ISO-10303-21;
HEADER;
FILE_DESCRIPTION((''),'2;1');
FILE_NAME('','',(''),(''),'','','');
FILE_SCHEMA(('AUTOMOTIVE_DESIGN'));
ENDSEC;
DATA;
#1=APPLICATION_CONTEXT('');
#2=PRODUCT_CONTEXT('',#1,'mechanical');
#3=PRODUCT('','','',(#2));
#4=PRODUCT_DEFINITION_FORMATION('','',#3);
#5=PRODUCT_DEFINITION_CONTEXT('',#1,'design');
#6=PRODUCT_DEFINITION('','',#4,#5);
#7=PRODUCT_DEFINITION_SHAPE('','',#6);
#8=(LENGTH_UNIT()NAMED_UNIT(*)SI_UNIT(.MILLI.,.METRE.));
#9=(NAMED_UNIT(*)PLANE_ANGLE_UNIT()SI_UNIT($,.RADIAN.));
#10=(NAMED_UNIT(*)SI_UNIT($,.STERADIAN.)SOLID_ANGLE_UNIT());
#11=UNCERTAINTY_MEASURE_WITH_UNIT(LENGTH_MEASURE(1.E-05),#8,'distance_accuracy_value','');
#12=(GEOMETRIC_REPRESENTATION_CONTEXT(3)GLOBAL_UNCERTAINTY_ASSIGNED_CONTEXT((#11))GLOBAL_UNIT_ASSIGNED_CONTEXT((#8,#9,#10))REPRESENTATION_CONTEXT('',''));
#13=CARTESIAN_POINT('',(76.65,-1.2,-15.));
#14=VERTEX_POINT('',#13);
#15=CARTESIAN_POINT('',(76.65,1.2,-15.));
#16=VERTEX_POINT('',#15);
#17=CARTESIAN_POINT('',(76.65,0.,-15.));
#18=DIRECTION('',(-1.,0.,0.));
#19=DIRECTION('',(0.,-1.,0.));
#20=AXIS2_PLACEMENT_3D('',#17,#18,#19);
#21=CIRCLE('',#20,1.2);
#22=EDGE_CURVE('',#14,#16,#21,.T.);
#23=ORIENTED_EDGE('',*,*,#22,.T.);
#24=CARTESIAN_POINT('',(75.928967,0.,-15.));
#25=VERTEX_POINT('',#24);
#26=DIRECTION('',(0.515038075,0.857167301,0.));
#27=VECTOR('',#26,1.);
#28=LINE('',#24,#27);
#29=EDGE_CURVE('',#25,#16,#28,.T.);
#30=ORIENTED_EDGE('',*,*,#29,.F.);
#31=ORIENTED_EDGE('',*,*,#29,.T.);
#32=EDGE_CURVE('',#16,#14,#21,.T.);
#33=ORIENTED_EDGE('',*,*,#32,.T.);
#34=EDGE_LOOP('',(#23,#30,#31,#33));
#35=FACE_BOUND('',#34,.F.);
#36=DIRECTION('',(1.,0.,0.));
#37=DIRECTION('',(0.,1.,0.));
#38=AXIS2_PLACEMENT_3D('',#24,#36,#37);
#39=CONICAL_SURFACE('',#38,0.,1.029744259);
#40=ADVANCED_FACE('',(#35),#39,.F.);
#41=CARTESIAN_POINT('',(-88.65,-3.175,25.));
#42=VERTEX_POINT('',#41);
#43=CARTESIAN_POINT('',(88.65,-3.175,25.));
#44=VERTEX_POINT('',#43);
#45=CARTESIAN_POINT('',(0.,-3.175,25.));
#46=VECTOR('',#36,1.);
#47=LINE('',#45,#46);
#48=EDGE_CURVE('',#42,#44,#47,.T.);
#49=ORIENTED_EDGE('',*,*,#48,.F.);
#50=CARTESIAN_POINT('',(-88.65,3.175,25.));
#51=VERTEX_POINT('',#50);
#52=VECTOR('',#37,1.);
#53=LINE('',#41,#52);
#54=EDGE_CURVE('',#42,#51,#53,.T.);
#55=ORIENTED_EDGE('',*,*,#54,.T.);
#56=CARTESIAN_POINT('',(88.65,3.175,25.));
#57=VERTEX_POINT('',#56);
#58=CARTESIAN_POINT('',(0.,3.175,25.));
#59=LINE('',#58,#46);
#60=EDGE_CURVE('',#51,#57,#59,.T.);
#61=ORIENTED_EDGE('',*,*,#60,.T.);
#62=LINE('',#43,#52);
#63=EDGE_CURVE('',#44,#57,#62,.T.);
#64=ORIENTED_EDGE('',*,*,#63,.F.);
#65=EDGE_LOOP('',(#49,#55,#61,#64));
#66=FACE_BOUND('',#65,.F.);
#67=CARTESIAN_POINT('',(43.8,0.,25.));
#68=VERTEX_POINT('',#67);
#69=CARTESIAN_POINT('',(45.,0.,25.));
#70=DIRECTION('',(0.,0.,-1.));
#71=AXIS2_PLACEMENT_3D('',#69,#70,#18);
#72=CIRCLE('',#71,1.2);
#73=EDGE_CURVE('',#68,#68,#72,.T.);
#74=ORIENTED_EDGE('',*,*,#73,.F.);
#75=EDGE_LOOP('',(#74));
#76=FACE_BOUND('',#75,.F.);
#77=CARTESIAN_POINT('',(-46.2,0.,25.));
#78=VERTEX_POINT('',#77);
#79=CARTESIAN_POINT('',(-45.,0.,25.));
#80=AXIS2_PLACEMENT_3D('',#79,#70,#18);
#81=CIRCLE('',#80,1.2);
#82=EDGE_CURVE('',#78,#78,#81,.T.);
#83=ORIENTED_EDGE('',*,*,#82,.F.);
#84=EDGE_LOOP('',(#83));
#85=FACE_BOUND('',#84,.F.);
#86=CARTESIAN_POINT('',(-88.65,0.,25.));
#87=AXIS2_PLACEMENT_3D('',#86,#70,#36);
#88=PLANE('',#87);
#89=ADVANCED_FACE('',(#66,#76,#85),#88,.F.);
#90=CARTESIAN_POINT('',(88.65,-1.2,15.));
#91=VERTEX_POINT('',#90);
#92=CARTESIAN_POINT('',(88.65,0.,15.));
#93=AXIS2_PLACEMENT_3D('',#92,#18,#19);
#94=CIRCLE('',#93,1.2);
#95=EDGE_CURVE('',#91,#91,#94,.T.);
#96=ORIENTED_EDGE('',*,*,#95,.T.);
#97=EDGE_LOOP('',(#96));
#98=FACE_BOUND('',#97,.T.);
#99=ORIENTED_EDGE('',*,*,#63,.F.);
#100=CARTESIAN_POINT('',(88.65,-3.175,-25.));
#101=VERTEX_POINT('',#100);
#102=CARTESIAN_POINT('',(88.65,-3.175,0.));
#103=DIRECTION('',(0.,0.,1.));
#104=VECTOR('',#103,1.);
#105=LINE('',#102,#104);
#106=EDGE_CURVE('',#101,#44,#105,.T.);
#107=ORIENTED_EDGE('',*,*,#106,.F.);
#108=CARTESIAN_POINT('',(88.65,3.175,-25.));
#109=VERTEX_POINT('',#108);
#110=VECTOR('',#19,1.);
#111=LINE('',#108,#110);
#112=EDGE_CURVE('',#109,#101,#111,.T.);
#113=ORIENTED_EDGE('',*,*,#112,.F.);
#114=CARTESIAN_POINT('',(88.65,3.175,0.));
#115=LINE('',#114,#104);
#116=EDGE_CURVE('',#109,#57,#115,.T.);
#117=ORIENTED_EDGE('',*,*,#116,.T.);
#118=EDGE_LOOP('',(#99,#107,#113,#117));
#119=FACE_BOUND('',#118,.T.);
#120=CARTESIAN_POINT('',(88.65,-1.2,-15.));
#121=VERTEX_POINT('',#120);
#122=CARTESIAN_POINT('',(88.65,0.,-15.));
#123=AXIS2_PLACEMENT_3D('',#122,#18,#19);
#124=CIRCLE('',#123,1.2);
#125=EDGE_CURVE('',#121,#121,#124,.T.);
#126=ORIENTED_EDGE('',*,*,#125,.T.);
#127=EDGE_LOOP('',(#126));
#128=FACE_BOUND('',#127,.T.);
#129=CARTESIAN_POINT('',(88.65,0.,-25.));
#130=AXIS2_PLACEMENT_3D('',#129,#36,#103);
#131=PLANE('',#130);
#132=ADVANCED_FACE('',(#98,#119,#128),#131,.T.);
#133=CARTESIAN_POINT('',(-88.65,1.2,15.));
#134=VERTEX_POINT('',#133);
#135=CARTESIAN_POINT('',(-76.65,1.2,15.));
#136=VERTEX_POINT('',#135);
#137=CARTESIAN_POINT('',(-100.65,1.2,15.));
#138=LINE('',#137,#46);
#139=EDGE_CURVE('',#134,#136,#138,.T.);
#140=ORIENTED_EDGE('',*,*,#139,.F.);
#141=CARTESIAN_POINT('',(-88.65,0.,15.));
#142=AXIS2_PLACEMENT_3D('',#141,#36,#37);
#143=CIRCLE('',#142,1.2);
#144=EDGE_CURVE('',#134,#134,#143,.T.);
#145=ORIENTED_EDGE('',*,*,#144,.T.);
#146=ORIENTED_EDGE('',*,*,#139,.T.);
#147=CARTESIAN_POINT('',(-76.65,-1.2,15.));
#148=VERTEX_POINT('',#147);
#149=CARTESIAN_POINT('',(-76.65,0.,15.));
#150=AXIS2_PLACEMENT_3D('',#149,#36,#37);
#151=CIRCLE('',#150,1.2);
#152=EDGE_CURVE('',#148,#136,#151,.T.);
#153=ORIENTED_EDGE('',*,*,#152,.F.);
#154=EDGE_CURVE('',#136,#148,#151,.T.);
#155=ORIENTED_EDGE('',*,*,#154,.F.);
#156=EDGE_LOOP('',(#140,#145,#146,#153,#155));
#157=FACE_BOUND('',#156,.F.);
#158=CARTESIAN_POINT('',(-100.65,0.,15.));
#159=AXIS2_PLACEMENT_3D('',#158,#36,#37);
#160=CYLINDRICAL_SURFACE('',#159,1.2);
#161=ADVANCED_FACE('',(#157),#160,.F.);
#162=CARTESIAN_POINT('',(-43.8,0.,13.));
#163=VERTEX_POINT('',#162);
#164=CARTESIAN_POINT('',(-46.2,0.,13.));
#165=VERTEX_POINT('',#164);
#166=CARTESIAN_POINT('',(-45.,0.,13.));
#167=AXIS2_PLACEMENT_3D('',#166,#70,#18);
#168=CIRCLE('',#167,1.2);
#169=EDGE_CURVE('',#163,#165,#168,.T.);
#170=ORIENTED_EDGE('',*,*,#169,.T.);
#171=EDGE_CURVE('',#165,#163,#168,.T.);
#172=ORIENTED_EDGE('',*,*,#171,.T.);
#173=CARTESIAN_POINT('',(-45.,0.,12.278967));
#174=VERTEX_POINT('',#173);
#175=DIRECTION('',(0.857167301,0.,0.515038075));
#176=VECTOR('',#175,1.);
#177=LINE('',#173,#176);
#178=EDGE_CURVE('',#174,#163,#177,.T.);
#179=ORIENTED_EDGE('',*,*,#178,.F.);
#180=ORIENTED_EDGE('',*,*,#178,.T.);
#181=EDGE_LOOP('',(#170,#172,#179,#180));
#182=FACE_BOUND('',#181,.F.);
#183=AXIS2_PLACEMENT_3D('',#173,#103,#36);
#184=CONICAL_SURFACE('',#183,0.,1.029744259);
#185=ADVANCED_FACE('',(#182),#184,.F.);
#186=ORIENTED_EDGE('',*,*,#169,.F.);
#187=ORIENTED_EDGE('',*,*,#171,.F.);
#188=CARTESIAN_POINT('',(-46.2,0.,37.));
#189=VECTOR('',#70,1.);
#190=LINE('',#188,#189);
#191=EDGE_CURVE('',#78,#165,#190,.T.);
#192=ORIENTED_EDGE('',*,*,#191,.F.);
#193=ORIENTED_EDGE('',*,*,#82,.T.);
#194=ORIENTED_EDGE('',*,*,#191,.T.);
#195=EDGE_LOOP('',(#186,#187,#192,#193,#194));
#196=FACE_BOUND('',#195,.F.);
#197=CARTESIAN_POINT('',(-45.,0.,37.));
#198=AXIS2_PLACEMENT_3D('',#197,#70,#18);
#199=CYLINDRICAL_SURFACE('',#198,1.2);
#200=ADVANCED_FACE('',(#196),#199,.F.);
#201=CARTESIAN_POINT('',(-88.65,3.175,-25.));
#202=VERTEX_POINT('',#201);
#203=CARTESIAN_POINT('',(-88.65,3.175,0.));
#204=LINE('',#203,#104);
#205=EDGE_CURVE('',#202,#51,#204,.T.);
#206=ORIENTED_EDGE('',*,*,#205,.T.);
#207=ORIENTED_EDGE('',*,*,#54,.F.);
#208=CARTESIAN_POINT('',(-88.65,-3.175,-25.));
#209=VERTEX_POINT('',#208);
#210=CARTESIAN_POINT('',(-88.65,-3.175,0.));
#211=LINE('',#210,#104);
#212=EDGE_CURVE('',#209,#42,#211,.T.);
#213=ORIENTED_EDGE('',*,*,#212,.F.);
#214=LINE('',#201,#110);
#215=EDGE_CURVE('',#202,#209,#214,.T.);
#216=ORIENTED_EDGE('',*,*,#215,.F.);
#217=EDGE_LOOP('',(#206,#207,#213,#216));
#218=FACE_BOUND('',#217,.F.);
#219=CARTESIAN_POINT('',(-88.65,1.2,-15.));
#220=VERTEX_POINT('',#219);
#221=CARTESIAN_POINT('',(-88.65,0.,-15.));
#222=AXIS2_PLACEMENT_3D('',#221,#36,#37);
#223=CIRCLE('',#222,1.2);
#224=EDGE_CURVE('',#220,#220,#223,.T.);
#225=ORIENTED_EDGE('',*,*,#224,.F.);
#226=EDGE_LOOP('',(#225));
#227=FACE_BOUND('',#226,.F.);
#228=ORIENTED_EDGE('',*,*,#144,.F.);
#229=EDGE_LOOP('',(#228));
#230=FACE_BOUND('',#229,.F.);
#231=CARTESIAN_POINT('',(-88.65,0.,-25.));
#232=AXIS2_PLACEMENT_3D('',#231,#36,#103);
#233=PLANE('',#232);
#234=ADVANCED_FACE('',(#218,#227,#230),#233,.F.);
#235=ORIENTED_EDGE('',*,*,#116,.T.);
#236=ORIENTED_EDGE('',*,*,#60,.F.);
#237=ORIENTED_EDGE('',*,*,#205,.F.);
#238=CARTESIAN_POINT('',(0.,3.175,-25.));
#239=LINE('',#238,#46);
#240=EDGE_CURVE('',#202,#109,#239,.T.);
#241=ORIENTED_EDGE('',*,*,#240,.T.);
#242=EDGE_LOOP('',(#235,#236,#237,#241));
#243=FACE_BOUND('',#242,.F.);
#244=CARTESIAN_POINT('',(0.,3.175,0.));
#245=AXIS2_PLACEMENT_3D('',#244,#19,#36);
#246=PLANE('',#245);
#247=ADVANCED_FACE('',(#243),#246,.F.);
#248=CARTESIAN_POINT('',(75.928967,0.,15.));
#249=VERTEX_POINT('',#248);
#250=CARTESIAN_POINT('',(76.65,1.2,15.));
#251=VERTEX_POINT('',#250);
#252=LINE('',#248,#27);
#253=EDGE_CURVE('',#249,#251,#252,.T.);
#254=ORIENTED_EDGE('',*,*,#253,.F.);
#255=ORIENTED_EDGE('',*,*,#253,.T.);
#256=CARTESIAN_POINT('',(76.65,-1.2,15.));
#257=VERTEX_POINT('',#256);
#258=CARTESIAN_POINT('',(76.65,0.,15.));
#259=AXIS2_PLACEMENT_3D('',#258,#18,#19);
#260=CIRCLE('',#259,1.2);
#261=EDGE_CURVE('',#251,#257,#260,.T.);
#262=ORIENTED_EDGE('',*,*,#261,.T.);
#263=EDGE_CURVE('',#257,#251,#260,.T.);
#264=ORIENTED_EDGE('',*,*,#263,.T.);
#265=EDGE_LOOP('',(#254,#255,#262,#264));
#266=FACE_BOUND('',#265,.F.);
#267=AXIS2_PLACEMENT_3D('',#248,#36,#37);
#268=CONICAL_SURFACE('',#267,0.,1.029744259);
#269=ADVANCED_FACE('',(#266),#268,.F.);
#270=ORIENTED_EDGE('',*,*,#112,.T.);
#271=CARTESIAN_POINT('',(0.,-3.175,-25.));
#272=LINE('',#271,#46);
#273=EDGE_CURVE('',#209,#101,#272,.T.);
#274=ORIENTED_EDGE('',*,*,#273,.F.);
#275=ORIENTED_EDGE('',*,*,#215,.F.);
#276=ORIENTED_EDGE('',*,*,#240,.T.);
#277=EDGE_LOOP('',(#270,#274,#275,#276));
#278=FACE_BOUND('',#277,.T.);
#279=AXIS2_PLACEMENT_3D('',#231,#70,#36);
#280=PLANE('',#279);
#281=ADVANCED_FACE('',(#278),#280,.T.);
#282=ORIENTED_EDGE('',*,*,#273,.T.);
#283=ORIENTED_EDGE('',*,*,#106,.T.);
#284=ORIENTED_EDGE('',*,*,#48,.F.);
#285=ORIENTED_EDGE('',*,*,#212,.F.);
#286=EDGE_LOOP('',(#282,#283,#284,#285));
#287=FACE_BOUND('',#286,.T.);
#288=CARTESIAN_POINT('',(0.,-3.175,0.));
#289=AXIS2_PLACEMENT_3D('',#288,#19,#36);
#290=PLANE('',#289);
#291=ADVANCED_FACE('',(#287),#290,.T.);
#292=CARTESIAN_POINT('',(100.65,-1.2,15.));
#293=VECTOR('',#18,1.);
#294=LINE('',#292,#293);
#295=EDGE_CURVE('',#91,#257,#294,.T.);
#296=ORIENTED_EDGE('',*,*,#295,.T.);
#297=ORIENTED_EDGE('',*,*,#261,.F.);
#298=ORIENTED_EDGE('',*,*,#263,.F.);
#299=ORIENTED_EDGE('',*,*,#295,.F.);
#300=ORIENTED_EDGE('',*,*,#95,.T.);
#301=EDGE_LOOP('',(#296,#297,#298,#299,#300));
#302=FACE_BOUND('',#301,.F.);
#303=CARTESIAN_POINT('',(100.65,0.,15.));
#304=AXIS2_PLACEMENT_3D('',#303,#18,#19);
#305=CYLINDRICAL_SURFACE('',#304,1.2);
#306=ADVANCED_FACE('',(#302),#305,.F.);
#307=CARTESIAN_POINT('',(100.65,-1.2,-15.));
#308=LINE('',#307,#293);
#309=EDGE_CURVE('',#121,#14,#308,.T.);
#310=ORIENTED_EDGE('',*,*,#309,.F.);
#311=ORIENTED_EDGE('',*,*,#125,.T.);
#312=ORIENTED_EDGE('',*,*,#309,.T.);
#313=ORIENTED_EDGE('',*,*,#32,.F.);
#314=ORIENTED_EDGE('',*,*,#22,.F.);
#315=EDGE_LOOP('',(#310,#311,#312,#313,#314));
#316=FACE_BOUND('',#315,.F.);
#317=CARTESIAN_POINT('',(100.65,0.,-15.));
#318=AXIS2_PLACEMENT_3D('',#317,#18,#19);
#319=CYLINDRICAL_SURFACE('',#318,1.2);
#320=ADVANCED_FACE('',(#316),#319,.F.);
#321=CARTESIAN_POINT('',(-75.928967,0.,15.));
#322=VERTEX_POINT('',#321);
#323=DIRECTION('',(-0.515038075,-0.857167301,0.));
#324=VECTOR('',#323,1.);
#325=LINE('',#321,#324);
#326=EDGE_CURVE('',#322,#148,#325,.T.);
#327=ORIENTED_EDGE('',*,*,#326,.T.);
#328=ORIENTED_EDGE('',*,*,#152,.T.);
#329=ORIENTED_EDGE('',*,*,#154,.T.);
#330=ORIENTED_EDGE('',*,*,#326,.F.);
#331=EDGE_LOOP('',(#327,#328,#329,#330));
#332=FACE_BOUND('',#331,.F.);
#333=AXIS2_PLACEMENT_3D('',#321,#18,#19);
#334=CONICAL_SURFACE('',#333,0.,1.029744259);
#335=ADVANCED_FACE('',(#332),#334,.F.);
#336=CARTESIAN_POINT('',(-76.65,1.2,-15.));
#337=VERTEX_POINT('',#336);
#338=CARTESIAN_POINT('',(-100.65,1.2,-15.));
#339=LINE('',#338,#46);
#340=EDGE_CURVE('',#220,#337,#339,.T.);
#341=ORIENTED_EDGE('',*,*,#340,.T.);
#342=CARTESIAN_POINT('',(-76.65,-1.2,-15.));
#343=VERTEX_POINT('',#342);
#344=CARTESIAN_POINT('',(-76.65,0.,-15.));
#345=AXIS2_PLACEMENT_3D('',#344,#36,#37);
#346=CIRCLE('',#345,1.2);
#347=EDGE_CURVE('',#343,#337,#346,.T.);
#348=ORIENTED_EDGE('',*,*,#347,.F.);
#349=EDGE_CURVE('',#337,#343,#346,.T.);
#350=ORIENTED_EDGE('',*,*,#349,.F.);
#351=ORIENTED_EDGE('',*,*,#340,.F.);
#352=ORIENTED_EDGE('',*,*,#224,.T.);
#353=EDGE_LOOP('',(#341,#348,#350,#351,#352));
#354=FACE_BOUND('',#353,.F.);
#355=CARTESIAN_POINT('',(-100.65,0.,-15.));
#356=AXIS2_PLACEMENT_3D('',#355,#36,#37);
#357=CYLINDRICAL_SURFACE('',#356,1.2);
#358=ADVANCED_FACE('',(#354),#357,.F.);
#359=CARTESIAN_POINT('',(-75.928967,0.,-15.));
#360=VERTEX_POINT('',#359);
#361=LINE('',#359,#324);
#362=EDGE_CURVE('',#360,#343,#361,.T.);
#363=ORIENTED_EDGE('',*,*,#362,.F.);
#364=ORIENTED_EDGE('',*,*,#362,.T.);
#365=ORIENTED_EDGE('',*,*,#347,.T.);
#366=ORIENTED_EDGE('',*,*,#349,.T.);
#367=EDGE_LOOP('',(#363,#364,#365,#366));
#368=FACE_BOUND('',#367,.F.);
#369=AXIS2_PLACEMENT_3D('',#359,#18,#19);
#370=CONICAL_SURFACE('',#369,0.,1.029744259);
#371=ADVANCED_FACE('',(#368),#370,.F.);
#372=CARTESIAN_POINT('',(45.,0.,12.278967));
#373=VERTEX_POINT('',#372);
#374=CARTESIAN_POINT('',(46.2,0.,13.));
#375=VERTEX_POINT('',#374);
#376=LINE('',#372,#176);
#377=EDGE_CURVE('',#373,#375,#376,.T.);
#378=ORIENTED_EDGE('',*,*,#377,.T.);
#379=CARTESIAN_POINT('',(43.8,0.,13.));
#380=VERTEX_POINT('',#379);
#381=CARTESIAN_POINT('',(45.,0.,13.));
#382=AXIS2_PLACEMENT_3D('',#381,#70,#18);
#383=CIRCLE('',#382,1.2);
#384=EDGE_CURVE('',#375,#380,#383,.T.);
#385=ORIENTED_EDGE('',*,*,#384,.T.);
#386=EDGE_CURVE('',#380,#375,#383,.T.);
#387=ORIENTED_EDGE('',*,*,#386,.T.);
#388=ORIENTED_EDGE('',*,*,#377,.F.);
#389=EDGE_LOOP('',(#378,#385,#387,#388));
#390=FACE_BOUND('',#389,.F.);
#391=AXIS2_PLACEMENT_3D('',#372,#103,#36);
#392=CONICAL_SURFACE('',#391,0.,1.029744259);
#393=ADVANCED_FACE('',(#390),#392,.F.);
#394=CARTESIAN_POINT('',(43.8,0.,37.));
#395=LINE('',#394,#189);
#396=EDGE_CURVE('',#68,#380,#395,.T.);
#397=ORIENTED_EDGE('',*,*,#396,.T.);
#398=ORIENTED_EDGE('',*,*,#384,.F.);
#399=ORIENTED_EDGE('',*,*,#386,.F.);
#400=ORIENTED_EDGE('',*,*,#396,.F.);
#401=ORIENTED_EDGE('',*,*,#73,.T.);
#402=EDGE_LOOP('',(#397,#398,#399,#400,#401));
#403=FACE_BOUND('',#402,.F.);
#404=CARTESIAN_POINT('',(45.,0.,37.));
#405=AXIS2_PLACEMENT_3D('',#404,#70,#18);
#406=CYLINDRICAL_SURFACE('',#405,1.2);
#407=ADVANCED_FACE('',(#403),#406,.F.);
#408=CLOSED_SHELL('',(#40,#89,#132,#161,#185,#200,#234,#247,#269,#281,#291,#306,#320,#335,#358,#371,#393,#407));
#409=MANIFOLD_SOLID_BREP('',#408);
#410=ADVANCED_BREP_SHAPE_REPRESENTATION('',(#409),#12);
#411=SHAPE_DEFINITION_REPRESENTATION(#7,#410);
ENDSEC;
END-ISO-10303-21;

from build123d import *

# Parameters (mm, degrees)
F0_W           = 177.3
F0_H           = 50
F1_DEPTH       = 3.175
F3_D           = 2.4
F3_DEPTH       = 12
F3_TIP         = 0.7210327428
F6_D           = 2.4
F6_DEPTH       = 12
F6_TIP         = 0.7210327428
F6_ON_F4_D     = 2.4
F6_ON_F4_DEPTH = 12
F6_ON_F4_TIP   = 0.7210327428


with BuildPart() as f1:
    # F0 (on Front) → F1 (new body, symmetric)
    with BuildSketch(Plane.XZ):
        Rectangle(F0_W, F0_H)
    extrude(amount=F1_DEPTH, both=True)

    # F3
    with Locations(Plane.XY.offset(25)):
        with Locations((-45, 0), (45, 0)):
            Hole(F3_D / 2, depth=F3_DEPTH)
            with Locations((0, 0, -(F3_DEPTH + F3_TIP / 2))):  # 118° drill point
                Cone(0, F3_D / 2, F3_TIP, mode=Mode.SUBTRACT)

    # F6
    with Locations(Plane(origin=(-88.65, 0, 0), x_dir=(0, -1, 0), z_dir=(-1, 0, 0))):
        with Locations((0, 15), (0, -15)):
            Hole(F6_D / 2, depth=F6_DEPTH)
            with Locations((0, 0, -(F6_DEPTH + F6_TIP / 2))):  # 118° drill point
                Cone(0, F6_D / 2, F6_TIP, mode=Mode.SUBTRACT)

    # F6 on F4
    with Locations(Plane.YZ.offset(88.65)):
        with Locations((0, 15), (0, -15)):
            Hole(F6_ON_F4_D / 2, depth=F6_ON_F4_DEPTH)
            with Locations((0, 0, -(F6_ON_F4_DEPTH + F6_ON_F4_TIP / 2))):  # 118° drill point
                Cone(0, F6_ON_F4_D / 2, F6_ON_F4_TIP, mode=Mode.SUBTRACT)


solid = f1.part
